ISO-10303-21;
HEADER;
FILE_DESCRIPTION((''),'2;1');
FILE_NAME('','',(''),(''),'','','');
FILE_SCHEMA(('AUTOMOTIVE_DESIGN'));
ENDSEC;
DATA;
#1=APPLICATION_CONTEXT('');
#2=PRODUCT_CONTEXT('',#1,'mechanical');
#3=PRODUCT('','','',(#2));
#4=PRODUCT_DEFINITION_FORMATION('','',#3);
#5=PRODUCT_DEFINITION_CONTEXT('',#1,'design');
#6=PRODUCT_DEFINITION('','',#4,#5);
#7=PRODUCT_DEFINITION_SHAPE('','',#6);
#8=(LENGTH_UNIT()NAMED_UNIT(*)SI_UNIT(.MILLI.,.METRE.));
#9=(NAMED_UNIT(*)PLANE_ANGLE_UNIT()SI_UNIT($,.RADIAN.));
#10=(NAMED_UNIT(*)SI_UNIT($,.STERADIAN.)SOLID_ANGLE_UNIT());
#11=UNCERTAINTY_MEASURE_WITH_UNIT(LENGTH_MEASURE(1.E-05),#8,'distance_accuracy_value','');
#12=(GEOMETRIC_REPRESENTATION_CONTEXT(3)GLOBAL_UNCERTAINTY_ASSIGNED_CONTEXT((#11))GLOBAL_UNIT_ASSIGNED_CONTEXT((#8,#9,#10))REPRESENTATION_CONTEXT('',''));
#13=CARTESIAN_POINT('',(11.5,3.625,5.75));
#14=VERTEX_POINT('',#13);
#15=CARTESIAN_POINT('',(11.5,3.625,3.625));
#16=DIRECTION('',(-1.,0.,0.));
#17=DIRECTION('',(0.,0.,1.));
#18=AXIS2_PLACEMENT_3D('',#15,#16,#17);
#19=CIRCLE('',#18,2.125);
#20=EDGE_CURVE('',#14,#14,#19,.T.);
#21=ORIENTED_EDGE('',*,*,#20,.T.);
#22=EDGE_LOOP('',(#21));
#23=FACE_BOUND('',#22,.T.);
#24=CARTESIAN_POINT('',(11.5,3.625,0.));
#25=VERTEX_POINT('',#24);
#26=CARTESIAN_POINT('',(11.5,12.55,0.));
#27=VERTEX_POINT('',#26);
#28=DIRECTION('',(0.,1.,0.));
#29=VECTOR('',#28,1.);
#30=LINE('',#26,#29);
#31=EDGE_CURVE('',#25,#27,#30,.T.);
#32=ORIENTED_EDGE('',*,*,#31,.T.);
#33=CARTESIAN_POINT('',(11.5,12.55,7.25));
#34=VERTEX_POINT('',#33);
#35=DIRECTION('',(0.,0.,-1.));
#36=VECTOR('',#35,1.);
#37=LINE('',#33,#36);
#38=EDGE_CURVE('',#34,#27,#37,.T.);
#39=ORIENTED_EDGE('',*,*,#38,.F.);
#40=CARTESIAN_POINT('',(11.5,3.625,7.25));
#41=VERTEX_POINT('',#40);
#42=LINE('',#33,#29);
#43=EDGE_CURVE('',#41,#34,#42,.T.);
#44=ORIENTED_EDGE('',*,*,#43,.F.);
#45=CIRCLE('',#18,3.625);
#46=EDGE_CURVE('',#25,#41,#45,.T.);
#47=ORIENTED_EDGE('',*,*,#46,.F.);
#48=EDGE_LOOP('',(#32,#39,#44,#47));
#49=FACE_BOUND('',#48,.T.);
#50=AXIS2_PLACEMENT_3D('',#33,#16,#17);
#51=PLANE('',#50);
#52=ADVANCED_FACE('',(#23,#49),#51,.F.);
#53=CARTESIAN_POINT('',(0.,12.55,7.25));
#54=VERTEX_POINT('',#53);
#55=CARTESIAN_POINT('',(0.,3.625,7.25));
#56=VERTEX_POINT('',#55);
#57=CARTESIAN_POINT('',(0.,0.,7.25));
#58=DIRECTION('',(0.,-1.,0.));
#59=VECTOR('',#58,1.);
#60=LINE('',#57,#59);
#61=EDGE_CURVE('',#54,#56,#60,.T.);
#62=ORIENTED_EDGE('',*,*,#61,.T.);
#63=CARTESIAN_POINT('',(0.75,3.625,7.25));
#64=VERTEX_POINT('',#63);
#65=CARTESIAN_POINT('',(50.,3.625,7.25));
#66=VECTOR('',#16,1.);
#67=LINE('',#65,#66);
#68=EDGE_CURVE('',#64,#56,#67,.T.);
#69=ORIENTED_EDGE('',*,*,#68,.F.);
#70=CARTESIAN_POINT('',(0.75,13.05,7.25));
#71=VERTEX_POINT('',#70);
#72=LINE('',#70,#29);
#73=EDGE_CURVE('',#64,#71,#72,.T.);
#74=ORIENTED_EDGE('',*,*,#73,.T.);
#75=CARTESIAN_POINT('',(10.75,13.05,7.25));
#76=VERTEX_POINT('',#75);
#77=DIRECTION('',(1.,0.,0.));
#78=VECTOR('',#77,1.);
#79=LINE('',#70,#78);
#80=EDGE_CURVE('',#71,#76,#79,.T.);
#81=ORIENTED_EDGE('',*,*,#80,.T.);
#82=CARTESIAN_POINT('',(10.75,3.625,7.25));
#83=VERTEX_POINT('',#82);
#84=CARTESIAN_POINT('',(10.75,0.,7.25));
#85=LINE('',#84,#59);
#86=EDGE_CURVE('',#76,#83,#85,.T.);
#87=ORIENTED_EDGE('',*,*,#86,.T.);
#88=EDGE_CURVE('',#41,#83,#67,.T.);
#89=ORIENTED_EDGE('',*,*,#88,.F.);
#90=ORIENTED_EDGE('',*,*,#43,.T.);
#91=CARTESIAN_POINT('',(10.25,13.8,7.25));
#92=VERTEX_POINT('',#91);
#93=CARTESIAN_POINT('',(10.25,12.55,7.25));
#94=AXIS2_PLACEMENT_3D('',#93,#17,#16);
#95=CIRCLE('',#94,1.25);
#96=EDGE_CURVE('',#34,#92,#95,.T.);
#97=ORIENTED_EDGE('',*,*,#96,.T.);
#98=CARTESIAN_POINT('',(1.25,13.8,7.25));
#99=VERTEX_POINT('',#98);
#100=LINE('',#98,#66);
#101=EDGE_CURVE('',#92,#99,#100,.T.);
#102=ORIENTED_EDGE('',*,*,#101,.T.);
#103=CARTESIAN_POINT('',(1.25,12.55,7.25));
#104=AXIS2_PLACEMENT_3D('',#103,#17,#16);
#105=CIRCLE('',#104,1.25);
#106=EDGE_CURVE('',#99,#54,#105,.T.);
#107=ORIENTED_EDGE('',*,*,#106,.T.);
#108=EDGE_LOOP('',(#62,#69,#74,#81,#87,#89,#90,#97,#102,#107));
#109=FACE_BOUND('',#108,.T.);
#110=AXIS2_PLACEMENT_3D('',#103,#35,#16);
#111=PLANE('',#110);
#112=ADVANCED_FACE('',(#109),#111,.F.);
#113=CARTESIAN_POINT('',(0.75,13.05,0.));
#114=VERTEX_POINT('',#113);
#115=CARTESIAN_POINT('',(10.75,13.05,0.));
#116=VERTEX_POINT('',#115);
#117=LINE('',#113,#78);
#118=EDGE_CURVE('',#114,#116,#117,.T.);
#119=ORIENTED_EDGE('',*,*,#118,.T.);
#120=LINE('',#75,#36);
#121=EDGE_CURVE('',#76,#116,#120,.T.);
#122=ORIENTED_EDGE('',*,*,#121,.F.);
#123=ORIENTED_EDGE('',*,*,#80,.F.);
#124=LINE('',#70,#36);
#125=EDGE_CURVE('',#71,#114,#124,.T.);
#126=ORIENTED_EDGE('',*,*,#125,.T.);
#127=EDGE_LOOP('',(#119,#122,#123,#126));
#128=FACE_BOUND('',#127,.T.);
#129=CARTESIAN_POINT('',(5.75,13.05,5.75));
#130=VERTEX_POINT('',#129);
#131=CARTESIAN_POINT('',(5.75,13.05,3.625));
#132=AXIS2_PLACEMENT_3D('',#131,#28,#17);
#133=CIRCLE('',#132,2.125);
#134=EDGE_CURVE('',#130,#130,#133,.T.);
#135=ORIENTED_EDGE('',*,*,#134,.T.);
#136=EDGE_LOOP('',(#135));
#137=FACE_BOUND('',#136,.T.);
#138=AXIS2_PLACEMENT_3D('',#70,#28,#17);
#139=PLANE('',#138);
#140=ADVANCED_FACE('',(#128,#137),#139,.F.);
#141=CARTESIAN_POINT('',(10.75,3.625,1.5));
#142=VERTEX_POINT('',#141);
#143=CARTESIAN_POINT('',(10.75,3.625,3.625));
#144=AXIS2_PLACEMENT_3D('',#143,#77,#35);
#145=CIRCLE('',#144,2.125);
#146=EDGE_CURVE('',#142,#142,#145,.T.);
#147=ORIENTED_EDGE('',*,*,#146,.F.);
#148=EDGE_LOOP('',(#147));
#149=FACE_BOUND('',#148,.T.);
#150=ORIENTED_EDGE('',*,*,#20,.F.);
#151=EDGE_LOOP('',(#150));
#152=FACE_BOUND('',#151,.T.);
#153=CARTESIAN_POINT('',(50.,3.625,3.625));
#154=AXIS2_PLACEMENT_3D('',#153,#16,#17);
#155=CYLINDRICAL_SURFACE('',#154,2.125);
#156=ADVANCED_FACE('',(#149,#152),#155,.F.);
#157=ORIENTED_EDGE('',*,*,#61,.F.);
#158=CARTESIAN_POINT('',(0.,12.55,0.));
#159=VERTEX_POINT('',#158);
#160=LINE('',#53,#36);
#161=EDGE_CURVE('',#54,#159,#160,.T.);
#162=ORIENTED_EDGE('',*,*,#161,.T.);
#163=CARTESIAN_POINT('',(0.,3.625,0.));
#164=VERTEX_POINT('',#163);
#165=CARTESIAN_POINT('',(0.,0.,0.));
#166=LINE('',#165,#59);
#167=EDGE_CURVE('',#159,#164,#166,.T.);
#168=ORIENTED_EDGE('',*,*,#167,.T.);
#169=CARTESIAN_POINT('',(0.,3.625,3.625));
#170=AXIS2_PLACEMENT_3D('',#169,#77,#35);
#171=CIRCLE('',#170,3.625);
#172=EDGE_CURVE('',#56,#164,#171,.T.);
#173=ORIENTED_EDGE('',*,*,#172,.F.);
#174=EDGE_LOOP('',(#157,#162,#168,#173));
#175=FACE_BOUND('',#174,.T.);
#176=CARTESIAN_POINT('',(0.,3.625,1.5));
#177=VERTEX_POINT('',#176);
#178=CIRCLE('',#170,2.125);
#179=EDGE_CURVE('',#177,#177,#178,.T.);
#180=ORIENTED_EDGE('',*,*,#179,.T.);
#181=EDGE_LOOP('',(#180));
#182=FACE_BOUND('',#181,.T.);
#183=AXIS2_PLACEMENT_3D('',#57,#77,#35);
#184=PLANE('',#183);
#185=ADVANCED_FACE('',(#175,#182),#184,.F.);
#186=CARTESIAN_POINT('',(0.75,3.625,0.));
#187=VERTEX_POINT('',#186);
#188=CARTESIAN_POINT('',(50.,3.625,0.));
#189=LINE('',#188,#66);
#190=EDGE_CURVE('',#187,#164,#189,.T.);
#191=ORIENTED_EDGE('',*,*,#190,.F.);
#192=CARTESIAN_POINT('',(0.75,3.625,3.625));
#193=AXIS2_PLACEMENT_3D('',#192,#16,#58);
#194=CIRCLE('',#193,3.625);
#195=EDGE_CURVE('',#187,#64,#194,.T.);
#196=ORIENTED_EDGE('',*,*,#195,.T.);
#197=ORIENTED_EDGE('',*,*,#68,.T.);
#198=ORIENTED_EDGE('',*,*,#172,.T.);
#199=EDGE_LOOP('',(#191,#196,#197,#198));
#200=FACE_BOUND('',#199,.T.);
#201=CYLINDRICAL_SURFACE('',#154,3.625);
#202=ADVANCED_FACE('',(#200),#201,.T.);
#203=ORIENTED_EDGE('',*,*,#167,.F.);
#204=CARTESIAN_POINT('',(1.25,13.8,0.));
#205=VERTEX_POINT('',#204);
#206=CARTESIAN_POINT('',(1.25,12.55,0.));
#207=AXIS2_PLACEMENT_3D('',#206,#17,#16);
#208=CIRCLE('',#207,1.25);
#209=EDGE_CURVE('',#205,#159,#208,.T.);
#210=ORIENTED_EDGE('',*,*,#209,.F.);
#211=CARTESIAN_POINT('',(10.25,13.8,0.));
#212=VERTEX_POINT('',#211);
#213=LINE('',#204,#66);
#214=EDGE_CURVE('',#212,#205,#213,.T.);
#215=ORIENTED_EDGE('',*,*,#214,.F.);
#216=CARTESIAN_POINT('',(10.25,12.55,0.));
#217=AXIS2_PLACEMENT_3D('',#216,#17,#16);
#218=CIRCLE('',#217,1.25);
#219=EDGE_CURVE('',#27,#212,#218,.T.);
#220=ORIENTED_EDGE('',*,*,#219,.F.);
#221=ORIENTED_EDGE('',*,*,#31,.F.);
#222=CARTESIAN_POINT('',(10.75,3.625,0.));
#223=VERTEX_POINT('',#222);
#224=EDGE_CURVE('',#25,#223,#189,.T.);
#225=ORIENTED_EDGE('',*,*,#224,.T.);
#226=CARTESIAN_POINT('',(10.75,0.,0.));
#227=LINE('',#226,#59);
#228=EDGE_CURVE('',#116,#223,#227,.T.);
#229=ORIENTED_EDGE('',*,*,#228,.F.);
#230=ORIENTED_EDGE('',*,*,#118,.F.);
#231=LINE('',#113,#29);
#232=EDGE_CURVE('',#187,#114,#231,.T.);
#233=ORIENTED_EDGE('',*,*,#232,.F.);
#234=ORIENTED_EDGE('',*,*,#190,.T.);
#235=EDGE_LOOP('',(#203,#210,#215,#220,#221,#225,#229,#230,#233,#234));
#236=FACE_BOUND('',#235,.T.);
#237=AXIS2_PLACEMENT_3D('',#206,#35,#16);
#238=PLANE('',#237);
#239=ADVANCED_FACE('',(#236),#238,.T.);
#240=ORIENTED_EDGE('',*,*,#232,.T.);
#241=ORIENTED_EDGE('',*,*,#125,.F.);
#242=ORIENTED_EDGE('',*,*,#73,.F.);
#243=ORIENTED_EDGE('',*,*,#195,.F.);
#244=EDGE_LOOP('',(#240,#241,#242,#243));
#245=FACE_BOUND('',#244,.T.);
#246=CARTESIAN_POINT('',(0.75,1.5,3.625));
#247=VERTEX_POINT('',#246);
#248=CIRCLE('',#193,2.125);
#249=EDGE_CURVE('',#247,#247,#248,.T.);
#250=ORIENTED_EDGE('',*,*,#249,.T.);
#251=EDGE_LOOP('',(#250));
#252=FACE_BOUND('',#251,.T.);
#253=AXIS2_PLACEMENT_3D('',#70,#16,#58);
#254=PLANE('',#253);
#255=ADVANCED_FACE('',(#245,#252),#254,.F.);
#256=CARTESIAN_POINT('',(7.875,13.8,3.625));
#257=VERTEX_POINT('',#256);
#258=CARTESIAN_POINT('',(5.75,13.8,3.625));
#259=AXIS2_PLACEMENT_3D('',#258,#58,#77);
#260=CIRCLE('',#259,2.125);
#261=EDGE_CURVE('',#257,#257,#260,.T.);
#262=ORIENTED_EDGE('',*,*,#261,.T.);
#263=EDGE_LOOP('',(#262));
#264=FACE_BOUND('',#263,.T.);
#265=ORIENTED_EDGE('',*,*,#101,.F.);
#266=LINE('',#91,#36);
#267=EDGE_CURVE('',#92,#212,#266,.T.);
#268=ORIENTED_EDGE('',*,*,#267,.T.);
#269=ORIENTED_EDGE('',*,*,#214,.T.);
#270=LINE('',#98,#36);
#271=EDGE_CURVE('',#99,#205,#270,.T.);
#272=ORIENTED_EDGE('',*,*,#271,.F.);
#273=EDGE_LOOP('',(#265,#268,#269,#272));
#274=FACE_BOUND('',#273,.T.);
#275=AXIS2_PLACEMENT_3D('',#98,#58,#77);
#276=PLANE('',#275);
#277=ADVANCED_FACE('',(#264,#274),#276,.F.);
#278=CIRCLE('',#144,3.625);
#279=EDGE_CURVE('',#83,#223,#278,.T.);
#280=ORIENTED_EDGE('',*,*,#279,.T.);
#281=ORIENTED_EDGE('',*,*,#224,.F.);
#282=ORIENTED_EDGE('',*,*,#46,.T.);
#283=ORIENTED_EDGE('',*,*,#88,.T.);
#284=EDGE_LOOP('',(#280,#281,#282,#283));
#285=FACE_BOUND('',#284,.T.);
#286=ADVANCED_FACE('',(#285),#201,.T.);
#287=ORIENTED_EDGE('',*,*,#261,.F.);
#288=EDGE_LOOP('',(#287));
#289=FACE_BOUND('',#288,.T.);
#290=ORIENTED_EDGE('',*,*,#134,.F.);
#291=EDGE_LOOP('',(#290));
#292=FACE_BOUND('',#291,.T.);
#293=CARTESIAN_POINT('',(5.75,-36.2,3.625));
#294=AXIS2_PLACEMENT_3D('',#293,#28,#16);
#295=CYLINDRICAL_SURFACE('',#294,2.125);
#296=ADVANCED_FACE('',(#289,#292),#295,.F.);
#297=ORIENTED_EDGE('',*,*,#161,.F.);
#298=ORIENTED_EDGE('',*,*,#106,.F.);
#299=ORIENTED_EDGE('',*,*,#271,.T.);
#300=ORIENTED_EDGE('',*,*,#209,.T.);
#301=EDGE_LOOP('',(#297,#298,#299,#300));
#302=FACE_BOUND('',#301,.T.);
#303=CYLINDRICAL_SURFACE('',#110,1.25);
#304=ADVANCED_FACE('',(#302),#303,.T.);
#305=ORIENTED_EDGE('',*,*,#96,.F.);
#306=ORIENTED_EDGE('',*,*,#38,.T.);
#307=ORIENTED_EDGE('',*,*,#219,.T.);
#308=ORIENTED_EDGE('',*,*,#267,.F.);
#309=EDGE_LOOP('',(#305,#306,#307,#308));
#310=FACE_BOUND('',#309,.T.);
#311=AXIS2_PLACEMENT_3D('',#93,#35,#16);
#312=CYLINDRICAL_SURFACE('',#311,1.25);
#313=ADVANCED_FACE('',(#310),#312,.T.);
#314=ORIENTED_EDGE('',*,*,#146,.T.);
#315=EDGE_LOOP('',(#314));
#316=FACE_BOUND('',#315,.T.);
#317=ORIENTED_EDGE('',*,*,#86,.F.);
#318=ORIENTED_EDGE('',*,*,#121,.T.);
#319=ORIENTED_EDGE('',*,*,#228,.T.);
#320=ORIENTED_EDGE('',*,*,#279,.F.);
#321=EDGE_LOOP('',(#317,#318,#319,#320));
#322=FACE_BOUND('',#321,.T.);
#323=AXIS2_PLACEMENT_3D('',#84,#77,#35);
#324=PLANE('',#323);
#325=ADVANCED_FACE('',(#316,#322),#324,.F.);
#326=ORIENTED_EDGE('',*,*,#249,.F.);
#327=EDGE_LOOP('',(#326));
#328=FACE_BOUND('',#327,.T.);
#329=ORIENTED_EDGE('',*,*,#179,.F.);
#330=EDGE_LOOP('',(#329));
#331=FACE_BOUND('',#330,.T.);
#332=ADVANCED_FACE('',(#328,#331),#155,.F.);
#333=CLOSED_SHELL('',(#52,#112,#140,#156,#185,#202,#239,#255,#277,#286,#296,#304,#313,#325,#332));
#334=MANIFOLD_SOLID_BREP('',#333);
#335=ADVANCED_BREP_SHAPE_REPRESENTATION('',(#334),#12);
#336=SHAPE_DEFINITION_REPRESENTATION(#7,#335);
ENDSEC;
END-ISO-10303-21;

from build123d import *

# Parameters (mm, degrees)
BOSS_EXTRUDE1_DEPTH = 7.25
CUT_EXTRUDE1_DEPTH  = 50
CUT_EXTRUDE2_DEPTH  = 50
SKETCH2_4_R         = 2.125
CUT_EXTRUDE3_DEPTH  = 50
SKETCH6_R           = 2.125
CUT_EXTRUDE4_DEPTH  = 50


with BuildPart() as part:
    # Sketch1 → Boss-Extrude1 (new body)
    with BuildSketch(Plane.XY):
        with BuildLine():
            Line((0, 0), (0, 12.55))
            ThreePointArc((0, 12.55), (0.366116524, 13.433883476), (1.25, 13.8))
            Line((1.25, 13.8), (10.25, 13.8))
            ThreePointArc((10.25, 13.8), (11.133883476, 13.433883476), (11.5, 12.55))
            Line((11.5, 12.55), (11.5, 0))
            Line((11.5, 0), (10.75, 0))
            Line((10.75, 0), (10.75, 13.05))
            Line((10.75, 13.05), (0.75, 13.05))
            Line((0.75, 13.05), (0.75, 0))
            Line((0.75, 0), (0, 0))
        make_face()
    extrude(amount=BOSS_EXTRUDE1_DEPTH)

    # Sketch2 → Cut-Extrude1 (cut, symmetric)
    with BuildSketch(Plane.ZY):
        with BuildLine():
            Line((0, 0), (3.625, 0))
            ThreePointArc((3.625, 0), (1.061737918, 1.061737918), (0, 3.625))
            Line((0, 3.625), (0, 0))
        make_face()
    extrude(amount=CUT_EXTRUDE1_DEPTH, both=True, mode=Mode.SUBTRACT)

    # Sketch2<3> → Cut-Extrude2 (cut, symmetric)
    with BuildSketch(Plane.ZY):
        with BuildLine():
            ThreePointArc((7.25, 3.625), (6.188262082, 1.061737918), (3.625, 0))
            Line((3.625, 0), (7.25, 0))
            Line((7.25, 0), (7.25, 3.625))
        make_face()
    extrude(amount=CUT_EXTRUDE2_DEPTH, both=True, mode=Mode.SUBTRACT)

    # Sketch2<4> → Cut-Extrude3 (cut, symmetric)
    with BuildSketch(Plane.ZY):
        with Locations((3.625, 3.625)):
            Circle(SKETCH2_4_R)
    extrude(amount=CUT_EXTRUDE3_DEPTH, both=True, mode=Mode.SUBTRACT)

    # Sketch6 → Cut-Extrude4 (cut, symmetric)
    with BuildSketch(Plane(origin=(0, 13.8, 0), x_dir=(1, 0, 0), z_dir=(0, 1, 0))):
        with Locations((5.75, -3.625)):
            Circle(SKETCH6_R)
    extrude(amount=CUT_EXTRUDE4_DEPTH, both=True, mode=Mode.SUBTRACT)


solid = part.part
